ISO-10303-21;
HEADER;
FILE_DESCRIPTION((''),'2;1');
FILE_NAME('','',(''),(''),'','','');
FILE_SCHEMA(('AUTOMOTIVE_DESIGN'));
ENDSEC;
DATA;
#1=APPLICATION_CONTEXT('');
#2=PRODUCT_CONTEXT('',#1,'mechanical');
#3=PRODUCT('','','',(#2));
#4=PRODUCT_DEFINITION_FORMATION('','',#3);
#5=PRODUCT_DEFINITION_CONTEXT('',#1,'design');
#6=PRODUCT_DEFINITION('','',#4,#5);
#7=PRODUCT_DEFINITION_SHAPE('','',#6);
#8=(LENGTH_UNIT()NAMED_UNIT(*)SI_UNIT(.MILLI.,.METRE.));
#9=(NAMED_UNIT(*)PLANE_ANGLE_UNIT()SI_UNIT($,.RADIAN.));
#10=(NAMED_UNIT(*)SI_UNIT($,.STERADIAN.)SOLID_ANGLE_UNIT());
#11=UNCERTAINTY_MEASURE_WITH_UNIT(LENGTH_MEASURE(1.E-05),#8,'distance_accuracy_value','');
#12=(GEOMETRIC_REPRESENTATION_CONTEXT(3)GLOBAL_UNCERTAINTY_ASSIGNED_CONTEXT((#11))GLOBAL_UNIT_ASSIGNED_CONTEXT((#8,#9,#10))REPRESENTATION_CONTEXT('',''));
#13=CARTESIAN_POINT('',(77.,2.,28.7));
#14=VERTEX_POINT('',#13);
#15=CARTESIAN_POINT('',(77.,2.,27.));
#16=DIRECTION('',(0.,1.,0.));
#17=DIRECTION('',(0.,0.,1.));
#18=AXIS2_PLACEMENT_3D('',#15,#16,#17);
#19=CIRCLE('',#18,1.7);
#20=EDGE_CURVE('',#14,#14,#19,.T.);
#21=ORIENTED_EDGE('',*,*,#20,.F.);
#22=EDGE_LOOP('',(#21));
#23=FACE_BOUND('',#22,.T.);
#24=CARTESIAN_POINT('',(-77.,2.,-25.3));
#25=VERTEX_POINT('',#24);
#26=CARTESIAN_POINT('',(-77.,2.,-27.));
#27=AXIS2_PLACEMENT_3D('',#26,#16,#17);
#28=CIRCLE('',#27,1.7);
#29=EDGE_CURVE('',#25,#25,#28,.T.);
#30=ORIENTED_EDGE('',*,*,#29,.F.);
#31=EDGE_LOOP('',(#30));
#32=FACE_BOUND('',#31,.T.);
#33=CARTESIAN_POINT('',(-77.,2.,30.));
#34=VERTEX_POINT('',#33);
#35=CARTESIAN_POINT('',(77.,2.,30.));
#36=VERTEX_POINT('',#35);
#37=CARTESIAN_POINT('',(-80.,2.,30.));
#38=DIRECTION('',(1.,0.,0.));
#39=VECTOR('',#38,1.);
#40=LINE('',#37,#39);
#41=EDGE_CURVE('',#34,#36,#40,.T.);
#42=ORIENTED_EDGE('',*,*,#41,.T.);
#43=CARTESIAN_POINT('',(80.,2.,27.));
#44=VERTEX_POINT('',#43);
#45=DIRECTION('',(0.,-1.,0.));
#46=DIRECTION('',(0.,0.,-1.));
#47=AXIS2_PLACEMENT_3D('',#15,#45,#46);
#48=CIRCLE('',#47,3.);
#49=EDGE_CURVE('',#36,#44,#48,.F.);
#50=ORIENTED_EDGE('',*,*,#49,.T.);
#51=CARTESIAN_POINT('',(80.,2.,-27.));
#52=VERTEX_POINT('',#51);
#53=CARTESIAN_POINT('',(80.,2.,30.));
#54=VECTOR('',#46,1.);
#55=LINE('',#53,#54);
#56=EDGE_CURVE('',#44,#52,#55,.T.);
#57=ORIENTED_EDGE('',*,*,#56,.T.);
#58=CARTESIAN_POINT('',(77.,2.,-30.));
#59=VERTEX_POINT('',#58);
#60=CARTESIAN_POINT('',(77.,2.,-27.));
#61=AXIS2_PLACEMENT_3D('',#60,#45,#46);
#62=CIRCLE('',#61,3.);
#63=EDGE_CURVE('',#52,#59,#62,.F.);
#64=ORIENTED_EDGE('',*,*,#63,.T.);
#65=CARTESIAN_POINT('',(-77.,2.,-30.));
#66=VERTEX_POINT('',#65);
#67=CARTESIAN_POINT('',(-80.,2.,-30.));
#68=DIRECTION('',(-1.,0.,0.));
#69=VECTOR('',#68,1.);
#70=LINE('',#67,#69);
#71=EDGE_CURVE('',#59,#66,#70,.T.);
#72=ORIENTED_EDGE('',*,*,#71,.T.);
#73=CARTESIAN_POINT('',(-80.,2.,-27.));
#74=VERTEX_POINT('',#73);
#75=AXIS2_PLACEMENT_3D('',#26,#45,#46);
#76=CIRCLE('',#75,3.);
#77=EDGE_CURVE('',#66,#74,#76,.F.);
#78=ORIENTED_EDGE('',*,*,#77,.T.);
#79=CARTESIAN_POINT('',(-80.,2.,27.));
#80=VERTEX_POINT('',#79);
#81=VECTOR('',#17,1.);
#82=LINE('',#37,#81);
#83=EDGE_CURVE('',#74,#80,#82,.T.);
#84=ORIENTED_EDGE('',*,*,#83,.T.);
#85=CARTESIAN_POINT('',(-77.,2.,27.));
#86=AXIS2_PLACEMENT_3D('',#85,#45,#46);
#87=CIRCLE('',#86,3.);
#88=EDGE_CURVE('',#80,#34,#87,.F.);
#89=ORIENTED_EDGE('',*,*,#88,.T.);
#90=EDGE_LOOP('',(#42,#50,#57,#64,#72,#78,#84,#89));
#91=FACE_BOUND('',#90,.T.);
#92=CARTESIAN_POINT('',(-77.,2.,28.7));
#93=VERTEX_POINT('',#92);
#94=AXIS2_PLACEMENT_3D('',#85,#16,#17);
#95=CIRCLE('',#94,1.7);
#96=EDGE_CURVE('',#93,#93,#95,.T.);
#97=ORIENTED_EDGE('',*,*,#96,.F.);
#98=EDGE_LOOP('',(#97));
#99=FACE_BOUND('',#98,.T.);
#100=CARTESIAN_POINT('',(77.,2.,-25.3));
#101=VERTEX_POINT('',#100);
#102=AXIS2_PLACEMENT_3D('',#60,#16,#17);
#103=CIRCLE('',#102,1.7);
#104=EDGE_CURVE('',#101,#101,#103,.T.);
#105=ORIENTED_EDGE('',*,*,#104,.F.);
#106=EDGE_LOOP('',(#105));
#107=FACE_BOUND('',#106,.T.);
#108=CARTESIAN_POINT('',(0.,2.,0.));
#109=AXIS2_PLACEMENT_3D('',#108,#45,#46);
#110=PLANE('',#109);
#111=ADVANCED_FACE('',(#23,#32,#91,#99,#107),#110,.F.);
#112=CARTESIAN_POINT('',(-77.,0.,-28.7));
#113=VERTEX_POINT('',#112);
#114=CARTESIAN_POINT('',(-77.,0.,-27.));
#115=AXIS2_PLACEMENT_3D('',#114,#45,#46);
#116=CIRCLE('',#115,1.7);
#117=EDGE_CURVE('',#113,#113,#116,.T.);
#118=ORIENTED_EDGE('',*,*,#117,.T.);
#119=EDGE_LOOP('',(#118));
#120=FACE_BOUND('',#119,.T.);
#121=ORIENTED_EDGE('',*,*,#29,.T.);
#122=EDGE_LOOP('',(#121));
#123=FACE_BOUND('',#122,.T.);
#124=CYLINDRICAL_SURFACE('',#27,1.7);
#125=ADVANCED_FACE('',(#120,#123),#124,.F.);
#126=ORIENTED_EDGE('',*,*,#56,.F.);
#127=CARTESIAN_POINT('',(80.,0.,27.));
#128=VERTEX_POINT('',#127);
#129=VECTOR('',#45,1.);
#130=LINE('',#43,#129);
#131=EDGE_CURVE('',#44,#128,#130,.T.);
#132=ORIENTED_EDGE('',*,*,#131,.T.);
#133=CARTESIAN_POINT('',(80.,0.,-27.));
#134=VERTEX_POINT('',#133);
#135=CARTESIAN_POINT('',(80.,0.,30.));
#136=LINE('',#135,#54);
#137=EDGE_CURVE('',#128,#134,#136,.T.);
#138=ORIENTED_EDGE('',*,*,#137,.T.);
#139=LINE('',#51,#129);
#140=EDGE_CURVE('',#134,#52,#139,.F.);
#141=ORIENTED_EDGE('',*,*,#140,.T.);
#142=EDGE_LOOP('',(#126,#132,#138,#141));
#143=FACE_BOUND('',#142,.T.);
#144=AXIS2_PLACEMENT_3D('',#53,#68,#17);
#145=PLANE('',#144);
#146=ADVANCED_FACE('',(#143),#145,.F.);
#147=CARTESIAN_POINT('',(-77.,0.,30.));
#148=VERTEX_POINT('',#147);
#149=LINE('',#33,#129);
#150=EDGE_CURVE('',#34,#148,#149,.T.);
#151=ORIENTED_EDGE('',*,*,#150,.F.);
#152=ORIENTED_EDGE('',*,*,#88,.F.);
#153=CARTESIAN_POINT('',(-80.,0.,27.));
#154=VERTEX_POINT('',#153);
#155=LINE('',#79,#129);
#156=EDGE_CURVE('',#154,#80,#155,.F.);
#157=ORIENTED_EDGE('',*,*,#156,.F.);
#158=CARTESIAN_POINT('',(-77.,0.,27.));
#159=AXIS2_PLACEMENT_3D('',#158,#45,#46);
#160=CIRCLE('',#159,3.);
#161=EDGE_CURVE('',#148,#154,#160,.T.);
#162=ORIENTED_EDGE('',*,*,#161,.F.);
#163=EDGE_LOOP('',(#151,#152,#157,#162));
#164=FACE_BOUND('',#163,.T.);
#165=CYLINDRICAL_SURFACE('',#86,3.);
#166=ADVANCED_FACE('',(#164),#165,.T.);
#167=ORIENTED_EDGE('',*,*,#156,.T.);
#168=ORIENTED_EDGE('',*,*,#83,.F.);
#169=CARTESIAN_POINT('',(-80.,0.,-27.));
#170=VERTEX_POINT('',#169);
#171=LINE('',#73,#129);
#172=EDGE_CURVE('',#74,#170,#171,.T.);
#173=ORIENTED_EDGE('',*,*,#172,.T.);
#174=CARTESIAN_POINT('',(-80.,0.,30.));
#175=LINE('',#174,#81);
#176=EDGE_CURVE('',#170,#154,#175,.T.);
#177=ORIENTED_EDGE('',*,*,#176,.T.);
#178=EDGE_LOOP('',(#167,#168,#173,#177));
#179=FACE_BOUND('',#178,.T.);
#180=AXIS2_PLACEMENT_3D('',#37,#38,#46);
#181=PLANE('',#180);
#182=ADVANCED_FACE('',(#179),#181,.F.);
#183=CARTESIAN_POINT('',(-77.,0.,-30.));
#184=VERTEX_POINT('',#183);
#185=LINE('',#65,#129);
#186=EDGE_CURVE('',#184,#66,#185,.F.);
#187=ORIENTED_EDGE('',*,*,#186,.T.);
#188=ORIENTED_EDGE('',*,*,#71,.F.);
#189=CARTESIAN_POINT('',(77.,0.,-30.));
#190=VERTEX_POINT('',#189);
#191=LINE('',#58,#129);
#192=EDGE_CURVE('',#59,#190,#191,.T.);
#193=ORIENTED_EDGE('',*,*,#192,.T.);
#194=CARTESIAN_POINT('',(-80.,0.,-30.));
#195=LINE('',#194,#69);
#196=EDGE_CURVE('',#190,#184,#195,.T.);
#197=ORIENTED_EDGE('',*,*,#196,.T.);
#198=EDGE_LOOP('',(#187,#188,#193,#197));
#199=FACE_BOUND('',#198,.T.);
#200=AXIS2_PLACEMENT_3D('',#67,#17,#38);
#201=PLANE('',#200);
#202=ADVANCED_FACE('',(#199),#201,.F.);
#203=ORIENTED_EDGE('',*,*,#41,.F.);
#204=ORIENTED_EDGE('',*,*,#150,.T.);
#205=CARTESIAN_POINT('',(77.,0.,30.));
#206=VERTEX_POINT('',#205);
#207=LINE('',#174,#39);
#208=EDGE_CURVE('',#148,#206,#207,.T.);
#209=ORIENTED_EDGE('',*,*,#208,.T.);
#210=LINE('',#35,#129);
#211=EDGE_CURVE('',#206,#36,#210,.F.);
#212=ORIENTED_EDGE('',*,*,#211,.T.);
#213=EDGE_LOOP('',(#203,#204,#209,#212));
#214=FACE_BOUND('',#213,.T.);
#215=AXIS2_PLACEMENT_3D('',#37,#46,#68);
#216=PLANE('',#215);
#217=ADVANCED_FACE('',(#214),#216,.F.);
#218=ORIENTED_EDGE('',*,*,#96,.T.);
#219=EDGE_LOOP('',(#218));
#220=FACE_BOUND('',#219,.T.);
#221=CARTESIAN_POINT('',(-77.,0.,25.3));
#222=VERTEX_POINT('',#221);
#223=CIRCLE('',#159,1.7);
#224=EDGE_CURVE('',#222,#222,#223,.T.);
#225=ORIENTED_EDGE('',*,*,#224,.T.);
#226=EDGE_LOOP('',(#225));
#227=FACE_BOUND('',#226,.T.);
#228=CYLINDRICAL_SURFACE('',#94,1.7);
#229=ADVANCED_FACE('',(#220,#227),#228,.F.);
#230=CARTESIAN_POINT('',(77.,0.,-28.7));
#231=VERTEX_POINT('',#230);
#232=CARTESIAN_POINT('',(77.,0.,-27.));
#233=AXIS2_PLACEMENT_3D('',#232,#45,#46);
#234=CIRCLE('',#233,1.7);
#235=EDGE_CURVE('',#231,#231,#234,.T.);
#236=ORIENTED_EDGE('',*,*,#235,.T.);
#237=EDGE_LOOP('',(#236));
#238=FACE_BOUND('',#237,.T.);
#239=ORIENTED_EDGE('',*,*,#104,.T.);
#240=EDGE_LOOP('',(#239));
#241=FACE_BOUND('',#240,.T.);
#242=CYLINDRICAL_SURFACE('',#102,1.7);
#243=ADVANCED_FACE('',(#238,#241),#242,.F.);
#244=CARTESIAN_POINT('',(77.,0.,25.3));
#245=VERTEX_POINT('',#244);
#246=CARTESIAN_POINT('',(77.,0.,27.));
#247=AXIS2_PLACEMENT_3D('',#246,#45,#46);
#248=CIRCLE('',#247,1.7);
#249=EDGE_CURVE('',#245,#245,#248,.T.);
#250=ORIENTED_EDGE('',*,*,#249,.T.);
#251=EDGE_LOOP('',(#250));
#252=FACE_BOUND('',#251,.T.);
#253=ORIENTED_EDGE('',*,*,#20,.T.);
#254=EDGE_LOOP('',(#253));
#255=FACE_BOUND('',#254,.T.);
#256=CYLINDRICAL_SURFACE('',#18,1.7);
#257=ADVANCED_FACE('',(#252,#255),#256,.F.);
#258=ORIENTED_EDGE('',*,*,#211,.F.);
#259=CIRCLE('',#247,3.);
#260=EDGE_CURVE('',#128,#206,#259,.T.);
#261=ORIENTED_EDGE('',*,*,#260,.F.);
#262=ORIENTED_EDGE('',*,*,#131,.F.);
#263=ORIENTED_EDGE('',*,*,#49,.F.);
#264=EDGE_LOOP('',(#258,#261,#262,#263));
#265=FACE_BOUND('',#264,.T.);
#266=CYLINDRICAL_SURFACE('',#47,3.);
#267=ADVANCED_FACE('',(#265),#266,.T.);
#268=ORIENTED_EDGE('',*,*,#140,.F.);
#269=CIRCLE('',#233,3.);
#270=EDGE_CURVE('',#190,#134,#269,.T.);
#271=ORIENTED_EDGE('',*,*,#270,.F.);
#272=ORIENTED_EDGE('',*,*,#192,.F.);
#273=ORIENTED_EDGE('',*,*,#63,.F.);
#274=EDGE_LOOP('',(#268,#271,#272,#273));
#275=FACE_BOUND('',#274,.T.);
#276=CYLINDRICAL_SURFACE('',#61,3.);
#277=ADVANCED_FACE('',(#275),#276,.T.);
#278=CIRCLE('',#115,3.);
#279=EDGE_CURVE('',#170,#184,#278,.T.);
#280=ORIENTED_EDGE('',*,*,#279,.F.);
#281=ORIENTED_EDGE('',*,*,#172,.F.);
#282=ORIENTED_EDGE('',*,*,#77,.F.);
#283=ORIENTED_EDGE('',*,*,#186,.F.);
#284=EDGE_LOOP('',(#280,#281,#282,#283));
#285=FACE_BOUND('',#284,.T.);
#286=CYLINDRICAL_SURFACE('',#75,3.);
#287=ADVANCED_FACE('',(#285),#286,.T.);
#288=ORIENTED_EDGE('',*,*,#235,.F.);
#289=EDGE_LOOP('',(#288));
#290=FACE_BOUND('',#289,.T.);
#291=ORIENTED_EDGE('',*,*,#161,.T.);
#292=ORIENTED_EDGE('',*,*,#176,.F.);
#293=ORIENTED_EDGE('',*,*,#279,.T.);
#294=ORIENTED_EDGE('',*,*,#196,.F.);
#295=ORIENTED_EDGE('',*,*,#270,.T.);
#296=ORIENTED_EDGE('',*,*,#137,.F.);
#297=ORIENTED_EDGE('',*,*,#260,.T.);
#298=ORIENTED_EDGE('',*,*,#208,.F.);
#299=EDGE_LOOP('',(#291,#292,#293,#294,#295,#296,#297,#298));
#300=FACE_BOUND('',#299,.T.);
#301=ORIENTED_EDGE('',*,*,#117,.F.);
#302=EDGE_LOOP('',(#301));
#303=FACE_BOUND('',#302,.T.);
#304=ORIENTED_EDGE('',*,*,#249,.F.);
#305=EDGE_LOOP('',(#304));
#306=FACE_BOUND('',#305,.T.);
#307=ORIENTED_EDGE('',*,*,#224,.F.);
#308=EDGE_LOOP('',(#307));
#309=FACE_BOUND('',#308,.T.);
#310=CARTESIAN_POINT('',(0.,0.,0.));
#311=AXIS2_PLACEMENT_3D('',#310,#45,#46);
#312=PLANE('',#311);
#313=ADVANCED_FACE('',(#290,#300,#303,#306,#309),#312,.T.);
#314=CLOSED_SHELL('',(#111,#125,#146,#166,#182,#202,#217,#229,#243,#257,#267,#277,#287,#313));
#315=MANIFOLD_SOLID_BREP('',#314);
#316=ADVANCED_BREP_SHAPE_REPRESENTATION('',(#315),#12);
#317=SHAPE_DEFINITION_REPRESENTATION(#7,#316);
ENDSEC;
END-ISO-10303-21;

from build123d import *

# Parameters (mm, degrees)
SKETCH1_W                = 160
SKETCH1_H                = 60
BOSS_EXTRUDE1_DEPTH      = 2
FILLET1_R                = 3
M3_CLEARANCE_HOLE1_D     = 3.4
M3_CLEARANCE_HOLE1_DEPTH = 10


with BuildPart() as part:
    # Sketch1 → Boss-Extrude1 (new body)
    with BuildSketch(Plane(origin=(0, 0, 0), x_dir=(1, 0, 0), z_dir=(0, 1, 0))):
        Rectangle(SKETCH1_W, SKETCH1_H)
    extrude(amount=BOSS_EXTRUDE1_DEPTH)

    # Fillet1
    fillet1_edges = [part.edges().sort_by_distance(p)[0] for p in [
        (80, 1, 30),
        (-80, 1, 30),
        (-80, 1, -30),
        (80, 1, -30),
    ]]
    fillet(fillet1_edges, radius=FILLET1_R)

    # M3 Clearance Hole1
    with Locations(Plane(origin=(0, 2, 0), x_dir=(1, 0, 0), z_dir=(0, 1, 0))):
        with Locations((-77, 27), (-77, -27), (77, 27), (77, -27)):
            Hole(M3_CLEARANCE_HOLE1_D / 2, depth=M3_CLEARANCE_HOLE1_DEPTH)


solid = part.part
